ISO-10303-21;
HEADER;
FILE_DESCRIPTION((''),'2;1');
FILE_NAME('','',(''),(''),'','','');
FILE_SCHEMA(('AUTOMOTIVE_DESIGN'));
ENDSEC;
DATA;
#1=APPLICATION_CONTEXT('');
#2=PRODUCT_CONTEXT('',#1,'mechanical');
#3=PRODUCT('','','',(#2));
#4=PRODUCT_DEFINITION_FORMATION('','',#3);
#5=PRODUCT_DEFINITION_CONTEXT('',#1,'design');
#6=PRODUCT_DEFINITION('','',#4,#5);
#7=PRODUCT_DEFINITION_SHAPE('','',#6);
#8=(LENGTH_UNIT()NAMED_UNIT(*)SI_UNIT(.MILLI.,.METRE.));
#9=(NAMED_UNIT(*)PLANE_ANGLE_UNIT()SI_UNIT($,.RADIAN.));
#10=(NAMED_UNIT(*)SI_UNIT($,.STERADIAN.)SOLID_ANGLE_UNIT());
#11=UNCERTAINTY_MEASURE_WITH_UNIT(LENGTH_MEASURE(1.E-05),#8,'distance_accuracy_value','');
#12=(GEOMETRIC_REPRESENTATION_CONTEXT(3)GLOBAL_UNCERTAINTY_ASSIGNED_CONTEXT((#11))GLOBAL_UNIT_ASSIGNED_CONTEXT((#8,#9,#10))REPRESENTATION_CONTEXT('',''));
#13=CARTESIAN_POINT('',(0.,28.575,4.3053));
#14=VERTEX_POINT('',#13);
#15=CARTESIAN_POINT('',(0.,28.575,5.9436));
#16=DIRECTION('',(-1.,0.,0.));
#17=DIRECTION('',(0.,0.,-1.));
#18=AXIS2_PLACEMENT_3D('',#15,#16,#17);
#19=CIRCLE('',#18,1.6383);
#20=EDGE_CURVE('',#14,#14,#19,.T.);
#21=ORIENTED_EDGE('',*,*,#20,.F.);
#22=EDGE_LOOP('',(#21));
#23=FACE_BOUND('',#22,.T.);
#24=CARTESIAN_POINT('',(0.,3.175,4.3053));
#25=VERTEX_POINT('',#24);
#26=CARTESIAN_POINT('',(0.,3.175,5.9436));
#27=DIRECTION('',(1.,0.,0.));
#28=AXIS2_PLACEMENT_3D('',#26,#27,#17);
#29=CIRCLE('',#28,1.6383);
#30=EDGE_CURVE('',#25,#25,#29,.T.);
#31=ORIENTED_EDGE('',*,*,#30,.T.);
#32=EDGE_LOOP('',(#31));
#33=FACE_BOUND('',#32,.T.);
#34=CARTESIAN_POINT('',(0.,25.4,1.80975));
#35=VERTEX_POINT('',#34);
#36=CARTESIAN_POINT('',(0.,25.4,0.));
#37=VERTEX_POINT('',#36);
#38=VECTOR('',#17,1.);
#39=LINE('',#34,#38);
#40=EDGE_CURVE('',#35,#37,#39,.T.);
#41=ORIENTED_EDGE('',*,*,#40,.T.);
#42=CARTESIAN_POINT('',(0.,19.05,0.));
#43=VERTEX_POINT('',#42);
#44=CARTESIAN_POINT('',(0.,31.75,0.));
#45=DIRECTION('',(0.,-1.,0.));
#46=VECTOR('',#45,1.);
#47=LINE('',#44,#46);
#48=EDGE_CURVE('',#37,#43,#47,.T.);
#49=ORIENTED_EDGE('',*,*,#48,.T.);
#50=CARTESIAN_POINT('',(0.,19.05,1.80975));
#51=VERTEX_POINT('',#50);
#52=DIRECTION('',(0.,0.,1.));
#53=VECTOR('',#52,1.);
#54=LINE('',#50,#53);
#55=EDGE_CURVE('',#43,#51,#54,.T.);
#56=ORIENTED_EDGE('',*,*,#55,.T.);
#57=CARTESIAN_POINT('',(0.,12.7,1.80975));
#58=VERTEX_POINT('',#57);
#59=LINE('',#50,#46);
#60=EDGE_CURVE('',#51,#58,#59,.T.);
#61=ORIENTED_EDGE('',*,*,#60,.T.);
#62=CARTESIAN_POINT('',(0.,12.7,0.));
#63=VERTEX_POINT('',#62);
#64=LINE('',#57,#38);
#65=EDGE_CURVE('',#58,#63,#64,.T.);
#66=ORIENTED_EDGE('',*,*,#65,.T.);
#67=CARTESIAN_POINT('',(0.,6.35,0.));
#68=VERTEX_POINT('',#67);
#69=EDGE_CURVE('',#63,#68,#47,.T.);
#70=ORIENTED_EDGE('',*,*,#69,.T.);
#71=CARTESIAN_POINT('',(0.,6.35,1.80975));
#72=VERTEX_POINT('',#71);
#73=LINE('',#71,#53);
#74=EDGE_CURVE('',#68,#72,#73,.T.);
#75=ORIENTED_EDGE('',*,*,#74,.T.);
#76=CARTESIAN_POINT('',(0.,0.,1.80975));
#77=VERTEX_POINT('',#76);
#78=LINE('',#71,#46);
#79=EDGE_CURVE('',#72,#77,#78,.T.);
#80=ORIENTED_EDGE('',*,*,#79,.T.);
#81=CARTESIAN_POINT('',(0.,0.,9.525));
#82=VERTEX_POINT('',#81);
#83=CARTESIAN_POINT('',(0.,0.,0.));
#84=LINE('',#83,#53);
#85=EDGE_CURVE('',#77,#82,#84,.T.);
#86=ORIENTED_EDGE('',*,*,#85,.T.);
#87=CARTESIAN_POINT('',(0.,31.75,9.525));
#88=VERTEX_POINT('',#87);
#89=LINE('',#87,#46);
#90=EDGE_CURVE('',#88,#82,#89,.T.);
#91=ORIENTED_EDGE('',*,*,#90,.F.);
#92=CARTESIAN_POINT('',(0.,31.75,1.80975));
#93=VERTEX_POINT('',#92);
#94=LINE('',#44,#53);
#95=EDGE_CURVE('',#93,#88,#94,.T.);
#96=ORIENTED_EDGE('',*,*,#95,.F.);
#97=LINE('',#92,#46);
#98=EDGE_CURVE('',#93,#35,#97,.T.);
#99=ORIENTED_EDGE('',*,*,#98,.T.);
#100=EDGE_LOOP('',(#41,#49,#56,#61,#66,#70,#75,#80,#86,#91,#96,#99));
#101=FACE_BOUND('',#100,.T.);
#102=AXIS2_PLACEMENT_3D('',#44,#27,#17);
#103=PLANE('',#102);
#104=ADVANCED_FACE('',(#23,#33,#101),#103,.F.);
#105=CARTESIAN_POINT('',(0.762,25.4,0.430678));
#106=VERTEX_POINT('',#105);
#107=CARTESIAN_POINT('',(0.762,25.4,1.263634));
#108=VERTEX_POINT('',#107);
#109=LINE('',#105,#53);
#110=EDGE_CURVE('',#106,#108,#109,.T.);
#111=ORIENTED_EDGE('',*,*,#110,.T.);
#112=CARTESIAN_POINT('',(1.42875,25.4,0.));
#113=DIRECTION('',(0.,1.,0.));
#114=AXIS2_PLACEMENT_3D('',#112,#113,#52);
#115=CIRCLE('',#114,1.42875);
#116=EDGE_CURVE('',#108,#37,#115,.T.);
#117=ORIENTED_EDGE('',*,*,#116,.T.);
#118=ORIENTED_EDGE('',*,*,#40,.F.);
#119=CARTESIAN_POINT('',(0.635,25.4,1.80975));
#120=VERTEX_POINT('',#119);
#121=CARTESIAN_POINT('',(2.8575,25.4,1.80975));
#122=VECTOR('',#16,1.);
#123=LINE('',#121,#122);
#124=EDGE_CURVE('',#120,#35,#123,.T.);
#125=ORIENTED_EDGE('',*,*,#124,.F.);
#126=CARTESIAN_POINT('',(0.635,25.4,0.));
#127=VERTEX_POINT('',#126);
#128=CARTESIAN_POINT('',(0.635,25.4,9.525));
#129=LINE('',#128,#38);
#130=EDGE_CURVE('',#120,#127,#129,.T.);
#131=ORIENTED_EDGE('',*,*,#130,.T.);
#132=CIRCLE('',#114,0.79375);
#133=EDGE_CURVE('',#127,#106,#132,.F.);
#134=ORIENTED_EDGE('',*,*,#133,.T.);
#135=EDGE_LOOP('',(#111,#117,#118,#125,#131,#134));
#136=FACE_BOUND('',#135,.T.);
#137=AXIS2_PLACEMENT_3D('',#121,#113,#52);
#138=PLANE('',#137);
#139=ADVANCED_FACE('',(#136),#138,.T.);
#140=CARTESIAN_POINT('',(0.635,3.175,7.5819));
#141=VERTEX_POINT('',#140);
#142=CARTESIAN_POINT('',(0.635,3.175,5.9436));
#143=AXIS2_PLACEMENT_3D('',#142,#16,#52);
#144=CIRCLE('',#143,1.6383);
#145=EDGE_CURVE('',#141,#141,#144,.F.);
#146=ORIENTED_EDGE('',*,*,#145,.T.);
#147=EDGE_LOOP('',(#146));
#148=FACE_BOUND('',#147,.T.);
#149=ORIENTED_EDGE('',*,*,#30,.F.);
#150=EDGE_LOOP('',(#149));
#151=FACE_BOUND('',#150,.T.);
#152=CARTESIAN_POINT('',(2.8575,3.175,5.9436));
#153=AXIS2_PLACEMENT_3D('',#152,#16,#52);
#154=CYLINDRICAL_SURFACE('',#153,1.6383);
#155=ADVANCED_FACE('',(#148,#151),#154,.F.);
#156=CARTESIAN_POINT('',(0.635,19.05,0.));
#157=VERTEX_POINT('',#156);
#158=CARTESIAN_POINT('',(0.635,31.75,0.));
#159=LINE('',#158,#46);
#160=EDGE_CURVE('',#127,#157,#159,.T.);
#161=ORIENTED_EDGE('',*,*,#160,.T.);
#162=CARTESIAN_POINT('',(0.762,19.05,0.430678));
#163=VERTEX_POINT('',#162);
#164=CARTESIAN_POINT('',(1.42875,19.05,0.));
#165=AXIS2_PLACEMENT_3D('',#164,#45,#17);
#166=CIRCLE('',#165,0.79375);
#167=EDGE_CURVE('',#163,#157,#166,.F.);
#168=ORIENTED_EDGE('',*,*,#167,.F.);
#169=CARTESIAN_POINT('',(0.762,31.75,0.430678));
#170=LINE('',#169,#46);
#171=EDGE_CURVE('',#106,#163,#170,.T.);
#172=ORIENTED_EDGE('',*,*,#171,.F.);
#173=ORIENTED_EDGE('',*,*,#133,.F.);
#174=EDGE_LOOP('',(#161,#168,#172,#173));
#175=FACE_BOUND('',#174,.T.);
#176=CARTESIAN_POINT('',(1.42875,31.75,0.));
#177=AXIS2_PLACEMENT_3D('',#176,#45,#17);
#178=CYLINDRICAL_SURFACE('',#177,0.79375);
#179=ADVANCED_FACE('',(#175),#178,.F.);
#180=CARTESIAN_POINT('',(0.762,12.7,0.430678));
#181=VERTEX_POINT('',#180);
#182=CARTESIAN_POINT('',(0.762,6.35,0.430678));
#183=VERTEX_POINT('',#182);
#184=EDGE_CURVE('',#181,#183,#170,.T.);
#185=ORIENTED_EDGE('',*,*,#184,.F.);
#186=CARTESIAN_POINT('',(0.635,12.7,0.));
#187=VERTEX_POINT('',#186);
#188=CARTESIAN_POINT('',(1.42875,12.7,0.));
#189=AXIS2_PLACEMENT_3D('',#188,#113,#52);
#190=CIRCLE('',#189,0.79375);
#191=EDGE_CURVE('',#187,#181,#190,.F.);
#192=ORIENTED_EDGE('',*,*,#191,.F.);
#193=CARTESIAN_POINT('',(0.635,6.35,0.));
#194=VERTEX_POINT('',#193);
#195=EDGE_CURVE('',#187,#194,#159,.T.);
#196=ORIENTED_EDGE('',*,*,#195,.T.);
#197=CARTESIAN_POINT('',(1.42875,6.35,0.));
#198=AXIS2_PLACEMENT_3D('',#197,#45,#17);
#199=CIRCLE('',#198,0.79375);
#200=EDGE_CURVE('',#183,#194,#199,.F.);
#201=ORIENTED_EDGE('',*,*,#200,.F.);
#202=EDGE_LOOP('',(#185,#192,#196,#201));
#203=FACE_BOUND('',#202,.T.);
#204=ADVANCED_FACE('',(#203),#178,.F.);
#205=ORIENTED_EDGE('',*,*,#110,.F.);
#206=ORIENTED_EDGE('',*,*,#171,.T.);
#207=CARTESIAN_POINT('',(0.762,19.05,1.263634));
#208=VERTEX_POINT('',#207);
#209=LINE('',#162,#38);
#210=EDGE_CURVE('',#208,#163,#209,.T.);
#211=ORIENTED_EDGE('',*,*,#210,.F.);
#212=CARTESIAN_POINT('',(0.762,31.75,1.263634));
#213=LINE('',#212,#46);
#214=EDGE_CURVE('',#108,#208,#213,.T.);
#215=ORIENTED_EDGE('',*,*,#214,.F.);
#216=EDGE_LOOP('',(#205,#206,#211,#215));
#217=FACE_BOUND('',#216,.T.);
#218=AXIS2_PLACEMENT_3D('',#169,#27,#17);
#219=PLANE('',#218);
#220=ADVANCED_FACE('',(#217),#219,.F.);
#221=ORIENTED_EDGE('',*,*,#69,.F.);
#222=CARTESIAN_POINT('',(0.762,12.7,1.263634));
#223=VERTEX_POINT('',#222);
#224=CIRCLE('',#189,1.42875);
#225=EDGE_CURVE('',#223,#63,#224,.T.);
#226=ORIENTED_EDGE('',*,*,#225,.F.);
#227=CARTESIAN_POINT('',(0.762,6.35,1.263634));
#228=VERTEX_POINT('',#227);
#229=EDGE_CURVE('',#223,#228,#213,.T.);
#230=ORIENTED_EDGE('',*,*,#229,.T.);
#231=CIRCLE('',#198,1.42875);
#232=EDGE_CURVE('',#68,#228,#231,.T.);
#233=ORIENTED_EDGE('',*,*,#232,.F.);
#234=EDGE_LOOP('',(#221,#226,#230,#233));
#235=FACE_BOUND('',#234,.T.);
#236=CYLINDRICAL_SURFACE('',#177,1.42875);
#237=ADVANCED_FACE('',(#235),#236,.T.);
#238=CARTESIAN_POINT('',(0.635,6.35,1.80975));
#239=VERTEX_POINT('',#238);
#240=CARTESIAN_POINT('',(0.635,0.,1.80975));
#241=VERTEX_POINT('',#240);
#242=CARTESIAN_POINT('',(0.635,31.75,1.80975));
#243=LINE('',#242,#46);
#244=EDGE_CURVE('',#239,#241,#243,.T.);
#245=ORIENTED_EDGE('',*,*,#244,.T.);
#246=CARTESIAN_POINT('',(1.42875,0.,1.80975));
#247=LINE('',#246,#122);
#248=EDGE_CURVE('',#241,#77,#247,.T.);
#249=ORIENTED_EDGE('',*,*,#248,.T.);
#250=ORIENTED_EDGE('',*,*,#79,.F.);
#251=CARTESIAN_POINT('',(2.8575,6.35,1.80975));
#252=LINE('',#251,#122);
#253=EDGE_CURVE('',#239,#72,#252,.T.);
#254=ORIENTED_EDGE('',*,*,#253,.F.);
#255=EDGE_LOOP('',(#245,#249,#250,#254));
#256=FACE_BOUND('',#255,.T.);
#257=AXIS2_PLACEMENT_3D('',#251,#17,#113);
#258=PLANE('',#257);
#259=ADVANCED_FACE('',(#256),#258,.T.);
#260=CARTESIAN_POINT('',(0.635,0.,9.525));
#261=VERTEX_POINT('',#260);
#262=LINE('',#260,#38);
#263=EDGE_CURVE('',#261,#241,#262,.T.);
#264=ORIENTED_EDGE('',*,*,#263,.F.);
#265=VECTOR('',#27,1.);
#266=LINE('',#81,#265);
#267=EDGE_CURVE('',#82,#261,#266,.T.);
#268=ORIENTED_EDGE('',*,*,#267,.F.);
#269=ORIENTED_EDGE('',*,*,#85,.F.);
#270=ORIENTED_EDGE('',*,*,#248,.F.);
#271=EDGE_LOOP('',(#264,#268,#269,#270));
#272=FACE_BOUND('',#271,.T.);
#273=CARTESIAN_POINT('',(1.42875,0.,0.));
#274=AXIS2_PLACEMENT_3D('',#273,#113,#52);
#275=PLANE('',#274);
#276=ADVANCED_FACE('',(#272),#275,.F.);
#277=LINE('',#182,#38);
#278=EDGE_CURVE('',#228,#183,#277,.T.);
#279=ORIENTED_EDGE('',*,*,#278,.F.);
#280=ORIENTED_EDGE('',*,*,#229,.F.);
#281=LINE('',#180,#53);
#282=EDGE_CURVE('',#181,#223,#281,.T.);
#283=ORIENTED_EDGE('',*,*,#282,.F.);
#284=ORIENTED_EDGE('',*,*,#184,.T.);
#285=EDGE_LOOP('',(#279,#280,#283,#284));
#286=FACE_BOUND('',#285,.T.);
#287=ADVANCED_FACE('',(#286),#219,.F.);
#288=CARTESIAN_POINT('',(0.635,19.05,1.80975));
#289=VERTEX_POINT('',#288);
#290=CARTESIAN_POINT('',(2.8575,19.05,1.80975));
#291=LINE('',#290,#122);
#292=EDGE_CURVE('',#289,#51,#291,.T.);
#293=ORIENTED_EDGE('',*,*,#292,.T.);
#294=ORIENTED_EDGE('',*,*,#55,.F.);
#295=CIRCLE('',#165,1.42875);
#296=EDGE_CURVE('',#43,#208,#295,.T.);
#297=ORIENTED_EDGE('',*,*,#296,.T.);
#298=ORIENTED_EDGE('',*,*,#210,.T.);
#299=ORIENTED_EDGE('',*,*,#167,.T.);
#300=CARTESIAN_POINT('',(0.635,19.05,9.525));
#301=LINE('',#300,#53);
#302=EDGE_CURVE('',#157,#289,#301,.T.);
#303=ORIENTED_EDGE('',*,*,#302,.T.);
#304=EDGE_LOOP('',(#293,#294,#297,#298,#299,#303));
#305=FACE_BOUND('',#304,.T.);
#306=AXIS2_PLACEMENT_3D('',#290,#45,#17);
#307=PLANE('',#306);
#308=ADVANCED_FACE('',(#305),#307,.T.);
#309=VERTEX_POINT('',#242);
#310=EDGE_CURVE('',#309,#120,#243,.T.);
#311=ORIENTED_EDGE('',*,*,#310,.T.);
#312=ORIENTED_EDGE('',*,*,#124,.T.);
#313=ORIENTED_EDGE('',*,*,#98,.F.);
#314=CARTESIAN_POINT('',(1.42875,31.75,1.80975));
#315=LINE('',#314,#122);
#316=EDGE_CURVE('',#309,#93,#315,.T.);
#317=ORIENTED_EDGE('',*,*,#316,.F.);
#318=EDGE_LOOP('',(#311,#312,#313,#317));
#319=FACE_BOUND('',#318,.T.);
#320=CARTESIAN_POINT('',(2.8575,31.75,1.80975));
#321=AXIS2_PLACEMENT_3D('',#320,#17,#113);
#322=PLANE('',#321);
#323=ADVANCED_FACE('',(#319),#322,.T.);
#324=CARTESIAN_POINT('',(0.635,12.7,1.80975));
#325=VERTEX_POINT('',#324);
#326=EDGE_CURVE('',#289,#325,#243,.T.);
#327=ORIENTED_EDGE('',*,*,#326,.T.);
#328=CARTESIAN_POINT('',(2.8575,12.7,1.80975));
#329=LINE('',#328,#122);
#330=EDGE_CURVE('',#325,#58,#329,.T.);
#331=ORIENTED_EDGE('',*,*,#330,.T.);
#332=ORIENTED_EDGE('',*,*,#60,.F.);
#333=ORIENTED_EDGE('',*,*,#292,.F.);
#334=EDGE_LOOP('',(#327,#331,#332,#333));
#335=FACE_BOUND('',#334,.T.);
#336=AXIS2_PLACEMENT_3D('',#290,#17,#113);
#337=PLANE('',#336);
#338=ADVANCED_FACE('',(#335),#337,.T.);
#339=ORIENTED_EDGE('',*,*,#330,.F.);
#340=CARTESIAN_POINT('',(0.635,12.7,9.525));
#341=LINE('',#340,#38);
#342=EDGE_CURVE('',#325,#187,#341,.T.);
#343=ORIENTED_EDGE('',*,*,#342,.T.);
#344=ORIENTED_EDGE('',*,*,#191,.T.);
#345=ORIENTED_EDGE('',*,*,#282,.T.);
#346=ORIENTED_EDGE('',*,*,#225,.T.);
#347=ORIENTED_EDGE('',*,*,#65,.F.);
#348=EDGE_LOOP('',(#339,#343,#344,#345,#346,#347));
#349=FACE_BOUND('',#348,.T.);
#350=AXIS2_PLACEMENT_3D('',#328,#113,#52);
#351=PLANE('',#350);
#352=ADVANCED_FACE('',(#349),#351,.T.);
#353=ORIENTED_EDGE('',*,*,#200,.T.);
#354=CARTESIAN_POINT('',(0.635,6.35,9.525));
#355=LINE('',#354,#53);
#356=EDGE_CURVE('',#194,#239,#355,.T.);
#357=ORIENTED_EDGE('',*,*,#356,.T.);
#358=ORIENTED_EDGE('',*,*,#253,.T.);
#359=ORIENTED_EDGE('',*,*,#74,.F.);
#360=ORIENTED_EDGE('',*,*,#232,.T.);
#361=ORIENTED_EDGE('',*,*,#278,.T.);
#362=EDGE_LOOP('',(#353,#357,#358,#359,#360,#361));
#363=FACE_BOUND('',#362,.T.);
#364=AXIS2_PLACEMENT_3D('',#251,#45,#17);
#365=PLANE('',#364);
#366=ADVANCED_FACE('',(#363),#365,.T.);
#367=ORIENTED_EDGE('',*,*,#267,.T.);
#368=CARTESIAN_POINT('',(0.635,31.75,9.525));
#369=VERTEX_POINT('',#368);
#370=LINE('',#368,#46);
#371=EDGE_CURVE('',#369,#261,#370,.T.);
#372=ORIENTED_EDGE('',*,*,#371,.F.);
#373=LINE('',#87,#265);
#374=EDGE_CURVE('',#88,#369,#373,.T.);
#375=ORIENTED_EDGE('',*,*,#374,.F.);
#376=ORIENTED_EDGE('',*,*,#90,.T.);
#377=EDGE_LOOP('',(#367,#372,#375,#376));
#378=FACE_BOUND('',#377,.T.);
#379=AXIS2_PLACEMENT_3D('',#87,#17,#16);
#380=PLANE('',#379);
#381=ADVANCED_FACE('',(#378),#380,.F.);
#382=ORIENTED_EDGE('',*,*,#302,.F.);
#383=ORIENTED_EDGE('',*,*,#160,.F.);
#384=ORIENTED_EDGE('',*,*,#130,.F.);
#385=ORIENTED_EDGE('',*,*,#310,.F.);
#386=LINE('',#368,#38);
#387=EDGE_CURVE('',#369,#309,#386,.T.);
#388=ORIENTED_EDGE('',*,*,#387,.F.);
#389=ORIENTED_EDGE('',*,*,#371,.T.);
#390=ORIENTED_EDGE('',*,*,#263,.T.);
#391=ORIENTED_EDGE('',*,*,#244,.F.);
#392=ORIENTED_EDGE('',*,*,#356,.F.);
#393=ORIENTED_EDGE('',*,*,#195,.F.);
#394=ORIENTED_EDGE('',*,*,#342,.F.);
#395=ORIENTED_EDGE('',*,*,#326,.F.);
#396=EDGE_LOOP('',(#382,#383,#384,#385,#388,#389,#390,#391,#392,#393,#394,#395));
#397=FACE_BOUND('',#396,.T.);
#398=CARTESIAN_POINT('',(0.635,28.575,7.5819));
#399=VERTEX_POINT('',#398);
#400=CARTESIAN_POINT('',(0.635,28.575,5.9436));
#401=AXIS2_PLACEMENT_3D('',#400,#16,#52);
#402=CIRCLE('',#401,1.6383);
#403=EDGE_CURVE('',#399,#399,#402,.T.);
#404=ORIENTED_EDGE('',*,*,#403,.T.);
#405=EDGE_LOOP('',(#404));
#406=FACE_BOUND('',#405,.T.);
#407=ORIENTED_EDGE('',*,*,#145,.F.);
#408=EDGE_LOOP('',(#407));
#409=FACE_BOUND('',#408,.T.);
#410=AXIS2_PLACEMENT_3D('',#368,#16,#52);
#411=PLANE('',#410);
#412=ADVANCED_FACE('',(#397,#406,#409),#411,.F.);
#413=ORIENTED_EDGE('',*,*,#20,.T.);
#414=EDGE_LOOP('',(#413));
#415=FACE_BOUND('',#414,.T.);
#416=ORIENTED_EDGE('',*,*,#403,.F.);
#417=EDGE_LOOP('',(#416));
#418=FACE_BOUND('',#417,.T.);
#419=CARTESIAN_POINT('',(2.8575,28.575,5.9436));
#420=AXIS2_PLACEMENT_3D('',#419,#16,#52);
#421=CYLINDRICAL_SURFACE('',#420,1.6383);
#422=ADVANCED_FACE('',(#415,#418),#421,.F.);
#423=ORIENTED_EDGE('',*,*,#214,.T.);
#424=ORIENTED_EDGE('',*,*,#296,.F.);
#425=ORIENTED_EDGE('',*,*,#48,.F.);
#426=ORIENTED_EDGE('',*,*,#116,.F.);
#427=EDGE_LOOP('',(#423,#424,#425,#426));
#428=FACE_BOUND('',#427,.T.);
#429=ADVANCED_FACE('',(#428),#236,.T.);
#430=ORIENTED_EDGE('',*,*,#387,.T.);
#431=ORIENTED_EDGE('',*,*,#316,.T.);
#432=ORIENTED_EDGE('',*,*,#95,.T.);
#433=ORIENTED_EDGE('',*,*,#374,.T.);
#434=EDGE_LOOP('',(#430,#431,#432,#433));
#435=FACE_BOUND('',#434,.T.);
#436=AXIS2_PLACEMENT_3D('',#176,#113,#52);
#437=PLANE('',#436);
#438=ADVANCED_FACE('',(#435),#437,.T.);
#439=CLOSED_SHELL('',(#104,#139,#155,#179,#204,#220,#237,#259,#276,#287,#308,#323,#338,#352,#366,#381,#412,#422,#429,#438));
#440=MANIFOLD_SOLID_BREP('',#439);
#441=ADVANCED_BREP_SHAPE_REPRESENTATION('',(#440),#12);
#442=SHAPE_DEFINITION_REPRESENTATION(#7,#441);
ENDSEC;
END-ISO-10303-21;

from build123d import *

# Parameters (mm, degrees)
BOSS_EXTRUDE2_DEPTH = 31.75
SKETCH8_W           = 3.6195
SKETCH8_H           = 6.35
CUT_EXTRUDE3_DEPTH  = 3.8575
SKETCH15_R          = 1.6383
CUT_EXTRUDE5_DEPTH  = 3.8575


with BuildPart() as part:
    # Sketch4 → Boss-Extrude2 (new body)
    with BuildSketch(Plane(origin=(0, 0, 0), x_dir=(1, 0, 0), z_dir=(0, 1, 0))):
        with BuildLine():
            Line((0, 0), (0, -9.525))
            Line((0, -9.525), (0.635, -9.525))
            Line((0.635, -9.525), (0.635, 0))
            ThreePointArc((0.635, 0), (2.190088254, 0.224506403), (0.762, -0.430677954))
            Line((0.762, -0.430677954), (0.762, -1.263634045))
            ThreePointArc((0.762, -1.263634045), (2.652258403, 0.737803327), (0, 0))
        make_face()
    extrude(amount=BOSS_EXTRUDE2_DEPTH)

    # Sketch8 → Cut-Extrude3 (cut, through all)
    with BuildSketch(Plane(origin=(0, 0, 0), x_dir=(0, 0, -1), z_dir=(1, 0, 0))):
        with Locations((0, 3.175)):
            Rectangle(SKETCH8_W, SKETCH8_H)
        with Locations((0, 15.875)):
            Rectangle(SKETCH8_W, SKETCH8_H)
        with Locations((0, 28.575)):
            Rectangle(SKETCH8_W, SKETCH8_H)
    extrude(amount=CUT_EXTRUDE3_DEPTH, mode=Mode.SUBTRACT)

    # Sketch15 → Cut-Extrude5 (cut, through all)
    with BuildSketch(Plane(origin=(0, 0, 0), x_dir=(0, 0, -1), z_dir=(1, 0, 0))):
        with Locations((-5.9436, 3.175)):
            Circle(SKETCH15_R)
    cut_extrude5 = extrude(amount=CUT_EXTRUDE5_DEPTH, mode=Mode.SUBTRACT)

    # Mirror1: Cut-Extrude5 across plane
    add(cut_extrude5.mirror(Plane(origin=(0, 15.875, 0), x_dir=(0, 0, 1), z_dir=(0, -1, 0))), mode=Mode.SUBTRACT)


solid = part.part
